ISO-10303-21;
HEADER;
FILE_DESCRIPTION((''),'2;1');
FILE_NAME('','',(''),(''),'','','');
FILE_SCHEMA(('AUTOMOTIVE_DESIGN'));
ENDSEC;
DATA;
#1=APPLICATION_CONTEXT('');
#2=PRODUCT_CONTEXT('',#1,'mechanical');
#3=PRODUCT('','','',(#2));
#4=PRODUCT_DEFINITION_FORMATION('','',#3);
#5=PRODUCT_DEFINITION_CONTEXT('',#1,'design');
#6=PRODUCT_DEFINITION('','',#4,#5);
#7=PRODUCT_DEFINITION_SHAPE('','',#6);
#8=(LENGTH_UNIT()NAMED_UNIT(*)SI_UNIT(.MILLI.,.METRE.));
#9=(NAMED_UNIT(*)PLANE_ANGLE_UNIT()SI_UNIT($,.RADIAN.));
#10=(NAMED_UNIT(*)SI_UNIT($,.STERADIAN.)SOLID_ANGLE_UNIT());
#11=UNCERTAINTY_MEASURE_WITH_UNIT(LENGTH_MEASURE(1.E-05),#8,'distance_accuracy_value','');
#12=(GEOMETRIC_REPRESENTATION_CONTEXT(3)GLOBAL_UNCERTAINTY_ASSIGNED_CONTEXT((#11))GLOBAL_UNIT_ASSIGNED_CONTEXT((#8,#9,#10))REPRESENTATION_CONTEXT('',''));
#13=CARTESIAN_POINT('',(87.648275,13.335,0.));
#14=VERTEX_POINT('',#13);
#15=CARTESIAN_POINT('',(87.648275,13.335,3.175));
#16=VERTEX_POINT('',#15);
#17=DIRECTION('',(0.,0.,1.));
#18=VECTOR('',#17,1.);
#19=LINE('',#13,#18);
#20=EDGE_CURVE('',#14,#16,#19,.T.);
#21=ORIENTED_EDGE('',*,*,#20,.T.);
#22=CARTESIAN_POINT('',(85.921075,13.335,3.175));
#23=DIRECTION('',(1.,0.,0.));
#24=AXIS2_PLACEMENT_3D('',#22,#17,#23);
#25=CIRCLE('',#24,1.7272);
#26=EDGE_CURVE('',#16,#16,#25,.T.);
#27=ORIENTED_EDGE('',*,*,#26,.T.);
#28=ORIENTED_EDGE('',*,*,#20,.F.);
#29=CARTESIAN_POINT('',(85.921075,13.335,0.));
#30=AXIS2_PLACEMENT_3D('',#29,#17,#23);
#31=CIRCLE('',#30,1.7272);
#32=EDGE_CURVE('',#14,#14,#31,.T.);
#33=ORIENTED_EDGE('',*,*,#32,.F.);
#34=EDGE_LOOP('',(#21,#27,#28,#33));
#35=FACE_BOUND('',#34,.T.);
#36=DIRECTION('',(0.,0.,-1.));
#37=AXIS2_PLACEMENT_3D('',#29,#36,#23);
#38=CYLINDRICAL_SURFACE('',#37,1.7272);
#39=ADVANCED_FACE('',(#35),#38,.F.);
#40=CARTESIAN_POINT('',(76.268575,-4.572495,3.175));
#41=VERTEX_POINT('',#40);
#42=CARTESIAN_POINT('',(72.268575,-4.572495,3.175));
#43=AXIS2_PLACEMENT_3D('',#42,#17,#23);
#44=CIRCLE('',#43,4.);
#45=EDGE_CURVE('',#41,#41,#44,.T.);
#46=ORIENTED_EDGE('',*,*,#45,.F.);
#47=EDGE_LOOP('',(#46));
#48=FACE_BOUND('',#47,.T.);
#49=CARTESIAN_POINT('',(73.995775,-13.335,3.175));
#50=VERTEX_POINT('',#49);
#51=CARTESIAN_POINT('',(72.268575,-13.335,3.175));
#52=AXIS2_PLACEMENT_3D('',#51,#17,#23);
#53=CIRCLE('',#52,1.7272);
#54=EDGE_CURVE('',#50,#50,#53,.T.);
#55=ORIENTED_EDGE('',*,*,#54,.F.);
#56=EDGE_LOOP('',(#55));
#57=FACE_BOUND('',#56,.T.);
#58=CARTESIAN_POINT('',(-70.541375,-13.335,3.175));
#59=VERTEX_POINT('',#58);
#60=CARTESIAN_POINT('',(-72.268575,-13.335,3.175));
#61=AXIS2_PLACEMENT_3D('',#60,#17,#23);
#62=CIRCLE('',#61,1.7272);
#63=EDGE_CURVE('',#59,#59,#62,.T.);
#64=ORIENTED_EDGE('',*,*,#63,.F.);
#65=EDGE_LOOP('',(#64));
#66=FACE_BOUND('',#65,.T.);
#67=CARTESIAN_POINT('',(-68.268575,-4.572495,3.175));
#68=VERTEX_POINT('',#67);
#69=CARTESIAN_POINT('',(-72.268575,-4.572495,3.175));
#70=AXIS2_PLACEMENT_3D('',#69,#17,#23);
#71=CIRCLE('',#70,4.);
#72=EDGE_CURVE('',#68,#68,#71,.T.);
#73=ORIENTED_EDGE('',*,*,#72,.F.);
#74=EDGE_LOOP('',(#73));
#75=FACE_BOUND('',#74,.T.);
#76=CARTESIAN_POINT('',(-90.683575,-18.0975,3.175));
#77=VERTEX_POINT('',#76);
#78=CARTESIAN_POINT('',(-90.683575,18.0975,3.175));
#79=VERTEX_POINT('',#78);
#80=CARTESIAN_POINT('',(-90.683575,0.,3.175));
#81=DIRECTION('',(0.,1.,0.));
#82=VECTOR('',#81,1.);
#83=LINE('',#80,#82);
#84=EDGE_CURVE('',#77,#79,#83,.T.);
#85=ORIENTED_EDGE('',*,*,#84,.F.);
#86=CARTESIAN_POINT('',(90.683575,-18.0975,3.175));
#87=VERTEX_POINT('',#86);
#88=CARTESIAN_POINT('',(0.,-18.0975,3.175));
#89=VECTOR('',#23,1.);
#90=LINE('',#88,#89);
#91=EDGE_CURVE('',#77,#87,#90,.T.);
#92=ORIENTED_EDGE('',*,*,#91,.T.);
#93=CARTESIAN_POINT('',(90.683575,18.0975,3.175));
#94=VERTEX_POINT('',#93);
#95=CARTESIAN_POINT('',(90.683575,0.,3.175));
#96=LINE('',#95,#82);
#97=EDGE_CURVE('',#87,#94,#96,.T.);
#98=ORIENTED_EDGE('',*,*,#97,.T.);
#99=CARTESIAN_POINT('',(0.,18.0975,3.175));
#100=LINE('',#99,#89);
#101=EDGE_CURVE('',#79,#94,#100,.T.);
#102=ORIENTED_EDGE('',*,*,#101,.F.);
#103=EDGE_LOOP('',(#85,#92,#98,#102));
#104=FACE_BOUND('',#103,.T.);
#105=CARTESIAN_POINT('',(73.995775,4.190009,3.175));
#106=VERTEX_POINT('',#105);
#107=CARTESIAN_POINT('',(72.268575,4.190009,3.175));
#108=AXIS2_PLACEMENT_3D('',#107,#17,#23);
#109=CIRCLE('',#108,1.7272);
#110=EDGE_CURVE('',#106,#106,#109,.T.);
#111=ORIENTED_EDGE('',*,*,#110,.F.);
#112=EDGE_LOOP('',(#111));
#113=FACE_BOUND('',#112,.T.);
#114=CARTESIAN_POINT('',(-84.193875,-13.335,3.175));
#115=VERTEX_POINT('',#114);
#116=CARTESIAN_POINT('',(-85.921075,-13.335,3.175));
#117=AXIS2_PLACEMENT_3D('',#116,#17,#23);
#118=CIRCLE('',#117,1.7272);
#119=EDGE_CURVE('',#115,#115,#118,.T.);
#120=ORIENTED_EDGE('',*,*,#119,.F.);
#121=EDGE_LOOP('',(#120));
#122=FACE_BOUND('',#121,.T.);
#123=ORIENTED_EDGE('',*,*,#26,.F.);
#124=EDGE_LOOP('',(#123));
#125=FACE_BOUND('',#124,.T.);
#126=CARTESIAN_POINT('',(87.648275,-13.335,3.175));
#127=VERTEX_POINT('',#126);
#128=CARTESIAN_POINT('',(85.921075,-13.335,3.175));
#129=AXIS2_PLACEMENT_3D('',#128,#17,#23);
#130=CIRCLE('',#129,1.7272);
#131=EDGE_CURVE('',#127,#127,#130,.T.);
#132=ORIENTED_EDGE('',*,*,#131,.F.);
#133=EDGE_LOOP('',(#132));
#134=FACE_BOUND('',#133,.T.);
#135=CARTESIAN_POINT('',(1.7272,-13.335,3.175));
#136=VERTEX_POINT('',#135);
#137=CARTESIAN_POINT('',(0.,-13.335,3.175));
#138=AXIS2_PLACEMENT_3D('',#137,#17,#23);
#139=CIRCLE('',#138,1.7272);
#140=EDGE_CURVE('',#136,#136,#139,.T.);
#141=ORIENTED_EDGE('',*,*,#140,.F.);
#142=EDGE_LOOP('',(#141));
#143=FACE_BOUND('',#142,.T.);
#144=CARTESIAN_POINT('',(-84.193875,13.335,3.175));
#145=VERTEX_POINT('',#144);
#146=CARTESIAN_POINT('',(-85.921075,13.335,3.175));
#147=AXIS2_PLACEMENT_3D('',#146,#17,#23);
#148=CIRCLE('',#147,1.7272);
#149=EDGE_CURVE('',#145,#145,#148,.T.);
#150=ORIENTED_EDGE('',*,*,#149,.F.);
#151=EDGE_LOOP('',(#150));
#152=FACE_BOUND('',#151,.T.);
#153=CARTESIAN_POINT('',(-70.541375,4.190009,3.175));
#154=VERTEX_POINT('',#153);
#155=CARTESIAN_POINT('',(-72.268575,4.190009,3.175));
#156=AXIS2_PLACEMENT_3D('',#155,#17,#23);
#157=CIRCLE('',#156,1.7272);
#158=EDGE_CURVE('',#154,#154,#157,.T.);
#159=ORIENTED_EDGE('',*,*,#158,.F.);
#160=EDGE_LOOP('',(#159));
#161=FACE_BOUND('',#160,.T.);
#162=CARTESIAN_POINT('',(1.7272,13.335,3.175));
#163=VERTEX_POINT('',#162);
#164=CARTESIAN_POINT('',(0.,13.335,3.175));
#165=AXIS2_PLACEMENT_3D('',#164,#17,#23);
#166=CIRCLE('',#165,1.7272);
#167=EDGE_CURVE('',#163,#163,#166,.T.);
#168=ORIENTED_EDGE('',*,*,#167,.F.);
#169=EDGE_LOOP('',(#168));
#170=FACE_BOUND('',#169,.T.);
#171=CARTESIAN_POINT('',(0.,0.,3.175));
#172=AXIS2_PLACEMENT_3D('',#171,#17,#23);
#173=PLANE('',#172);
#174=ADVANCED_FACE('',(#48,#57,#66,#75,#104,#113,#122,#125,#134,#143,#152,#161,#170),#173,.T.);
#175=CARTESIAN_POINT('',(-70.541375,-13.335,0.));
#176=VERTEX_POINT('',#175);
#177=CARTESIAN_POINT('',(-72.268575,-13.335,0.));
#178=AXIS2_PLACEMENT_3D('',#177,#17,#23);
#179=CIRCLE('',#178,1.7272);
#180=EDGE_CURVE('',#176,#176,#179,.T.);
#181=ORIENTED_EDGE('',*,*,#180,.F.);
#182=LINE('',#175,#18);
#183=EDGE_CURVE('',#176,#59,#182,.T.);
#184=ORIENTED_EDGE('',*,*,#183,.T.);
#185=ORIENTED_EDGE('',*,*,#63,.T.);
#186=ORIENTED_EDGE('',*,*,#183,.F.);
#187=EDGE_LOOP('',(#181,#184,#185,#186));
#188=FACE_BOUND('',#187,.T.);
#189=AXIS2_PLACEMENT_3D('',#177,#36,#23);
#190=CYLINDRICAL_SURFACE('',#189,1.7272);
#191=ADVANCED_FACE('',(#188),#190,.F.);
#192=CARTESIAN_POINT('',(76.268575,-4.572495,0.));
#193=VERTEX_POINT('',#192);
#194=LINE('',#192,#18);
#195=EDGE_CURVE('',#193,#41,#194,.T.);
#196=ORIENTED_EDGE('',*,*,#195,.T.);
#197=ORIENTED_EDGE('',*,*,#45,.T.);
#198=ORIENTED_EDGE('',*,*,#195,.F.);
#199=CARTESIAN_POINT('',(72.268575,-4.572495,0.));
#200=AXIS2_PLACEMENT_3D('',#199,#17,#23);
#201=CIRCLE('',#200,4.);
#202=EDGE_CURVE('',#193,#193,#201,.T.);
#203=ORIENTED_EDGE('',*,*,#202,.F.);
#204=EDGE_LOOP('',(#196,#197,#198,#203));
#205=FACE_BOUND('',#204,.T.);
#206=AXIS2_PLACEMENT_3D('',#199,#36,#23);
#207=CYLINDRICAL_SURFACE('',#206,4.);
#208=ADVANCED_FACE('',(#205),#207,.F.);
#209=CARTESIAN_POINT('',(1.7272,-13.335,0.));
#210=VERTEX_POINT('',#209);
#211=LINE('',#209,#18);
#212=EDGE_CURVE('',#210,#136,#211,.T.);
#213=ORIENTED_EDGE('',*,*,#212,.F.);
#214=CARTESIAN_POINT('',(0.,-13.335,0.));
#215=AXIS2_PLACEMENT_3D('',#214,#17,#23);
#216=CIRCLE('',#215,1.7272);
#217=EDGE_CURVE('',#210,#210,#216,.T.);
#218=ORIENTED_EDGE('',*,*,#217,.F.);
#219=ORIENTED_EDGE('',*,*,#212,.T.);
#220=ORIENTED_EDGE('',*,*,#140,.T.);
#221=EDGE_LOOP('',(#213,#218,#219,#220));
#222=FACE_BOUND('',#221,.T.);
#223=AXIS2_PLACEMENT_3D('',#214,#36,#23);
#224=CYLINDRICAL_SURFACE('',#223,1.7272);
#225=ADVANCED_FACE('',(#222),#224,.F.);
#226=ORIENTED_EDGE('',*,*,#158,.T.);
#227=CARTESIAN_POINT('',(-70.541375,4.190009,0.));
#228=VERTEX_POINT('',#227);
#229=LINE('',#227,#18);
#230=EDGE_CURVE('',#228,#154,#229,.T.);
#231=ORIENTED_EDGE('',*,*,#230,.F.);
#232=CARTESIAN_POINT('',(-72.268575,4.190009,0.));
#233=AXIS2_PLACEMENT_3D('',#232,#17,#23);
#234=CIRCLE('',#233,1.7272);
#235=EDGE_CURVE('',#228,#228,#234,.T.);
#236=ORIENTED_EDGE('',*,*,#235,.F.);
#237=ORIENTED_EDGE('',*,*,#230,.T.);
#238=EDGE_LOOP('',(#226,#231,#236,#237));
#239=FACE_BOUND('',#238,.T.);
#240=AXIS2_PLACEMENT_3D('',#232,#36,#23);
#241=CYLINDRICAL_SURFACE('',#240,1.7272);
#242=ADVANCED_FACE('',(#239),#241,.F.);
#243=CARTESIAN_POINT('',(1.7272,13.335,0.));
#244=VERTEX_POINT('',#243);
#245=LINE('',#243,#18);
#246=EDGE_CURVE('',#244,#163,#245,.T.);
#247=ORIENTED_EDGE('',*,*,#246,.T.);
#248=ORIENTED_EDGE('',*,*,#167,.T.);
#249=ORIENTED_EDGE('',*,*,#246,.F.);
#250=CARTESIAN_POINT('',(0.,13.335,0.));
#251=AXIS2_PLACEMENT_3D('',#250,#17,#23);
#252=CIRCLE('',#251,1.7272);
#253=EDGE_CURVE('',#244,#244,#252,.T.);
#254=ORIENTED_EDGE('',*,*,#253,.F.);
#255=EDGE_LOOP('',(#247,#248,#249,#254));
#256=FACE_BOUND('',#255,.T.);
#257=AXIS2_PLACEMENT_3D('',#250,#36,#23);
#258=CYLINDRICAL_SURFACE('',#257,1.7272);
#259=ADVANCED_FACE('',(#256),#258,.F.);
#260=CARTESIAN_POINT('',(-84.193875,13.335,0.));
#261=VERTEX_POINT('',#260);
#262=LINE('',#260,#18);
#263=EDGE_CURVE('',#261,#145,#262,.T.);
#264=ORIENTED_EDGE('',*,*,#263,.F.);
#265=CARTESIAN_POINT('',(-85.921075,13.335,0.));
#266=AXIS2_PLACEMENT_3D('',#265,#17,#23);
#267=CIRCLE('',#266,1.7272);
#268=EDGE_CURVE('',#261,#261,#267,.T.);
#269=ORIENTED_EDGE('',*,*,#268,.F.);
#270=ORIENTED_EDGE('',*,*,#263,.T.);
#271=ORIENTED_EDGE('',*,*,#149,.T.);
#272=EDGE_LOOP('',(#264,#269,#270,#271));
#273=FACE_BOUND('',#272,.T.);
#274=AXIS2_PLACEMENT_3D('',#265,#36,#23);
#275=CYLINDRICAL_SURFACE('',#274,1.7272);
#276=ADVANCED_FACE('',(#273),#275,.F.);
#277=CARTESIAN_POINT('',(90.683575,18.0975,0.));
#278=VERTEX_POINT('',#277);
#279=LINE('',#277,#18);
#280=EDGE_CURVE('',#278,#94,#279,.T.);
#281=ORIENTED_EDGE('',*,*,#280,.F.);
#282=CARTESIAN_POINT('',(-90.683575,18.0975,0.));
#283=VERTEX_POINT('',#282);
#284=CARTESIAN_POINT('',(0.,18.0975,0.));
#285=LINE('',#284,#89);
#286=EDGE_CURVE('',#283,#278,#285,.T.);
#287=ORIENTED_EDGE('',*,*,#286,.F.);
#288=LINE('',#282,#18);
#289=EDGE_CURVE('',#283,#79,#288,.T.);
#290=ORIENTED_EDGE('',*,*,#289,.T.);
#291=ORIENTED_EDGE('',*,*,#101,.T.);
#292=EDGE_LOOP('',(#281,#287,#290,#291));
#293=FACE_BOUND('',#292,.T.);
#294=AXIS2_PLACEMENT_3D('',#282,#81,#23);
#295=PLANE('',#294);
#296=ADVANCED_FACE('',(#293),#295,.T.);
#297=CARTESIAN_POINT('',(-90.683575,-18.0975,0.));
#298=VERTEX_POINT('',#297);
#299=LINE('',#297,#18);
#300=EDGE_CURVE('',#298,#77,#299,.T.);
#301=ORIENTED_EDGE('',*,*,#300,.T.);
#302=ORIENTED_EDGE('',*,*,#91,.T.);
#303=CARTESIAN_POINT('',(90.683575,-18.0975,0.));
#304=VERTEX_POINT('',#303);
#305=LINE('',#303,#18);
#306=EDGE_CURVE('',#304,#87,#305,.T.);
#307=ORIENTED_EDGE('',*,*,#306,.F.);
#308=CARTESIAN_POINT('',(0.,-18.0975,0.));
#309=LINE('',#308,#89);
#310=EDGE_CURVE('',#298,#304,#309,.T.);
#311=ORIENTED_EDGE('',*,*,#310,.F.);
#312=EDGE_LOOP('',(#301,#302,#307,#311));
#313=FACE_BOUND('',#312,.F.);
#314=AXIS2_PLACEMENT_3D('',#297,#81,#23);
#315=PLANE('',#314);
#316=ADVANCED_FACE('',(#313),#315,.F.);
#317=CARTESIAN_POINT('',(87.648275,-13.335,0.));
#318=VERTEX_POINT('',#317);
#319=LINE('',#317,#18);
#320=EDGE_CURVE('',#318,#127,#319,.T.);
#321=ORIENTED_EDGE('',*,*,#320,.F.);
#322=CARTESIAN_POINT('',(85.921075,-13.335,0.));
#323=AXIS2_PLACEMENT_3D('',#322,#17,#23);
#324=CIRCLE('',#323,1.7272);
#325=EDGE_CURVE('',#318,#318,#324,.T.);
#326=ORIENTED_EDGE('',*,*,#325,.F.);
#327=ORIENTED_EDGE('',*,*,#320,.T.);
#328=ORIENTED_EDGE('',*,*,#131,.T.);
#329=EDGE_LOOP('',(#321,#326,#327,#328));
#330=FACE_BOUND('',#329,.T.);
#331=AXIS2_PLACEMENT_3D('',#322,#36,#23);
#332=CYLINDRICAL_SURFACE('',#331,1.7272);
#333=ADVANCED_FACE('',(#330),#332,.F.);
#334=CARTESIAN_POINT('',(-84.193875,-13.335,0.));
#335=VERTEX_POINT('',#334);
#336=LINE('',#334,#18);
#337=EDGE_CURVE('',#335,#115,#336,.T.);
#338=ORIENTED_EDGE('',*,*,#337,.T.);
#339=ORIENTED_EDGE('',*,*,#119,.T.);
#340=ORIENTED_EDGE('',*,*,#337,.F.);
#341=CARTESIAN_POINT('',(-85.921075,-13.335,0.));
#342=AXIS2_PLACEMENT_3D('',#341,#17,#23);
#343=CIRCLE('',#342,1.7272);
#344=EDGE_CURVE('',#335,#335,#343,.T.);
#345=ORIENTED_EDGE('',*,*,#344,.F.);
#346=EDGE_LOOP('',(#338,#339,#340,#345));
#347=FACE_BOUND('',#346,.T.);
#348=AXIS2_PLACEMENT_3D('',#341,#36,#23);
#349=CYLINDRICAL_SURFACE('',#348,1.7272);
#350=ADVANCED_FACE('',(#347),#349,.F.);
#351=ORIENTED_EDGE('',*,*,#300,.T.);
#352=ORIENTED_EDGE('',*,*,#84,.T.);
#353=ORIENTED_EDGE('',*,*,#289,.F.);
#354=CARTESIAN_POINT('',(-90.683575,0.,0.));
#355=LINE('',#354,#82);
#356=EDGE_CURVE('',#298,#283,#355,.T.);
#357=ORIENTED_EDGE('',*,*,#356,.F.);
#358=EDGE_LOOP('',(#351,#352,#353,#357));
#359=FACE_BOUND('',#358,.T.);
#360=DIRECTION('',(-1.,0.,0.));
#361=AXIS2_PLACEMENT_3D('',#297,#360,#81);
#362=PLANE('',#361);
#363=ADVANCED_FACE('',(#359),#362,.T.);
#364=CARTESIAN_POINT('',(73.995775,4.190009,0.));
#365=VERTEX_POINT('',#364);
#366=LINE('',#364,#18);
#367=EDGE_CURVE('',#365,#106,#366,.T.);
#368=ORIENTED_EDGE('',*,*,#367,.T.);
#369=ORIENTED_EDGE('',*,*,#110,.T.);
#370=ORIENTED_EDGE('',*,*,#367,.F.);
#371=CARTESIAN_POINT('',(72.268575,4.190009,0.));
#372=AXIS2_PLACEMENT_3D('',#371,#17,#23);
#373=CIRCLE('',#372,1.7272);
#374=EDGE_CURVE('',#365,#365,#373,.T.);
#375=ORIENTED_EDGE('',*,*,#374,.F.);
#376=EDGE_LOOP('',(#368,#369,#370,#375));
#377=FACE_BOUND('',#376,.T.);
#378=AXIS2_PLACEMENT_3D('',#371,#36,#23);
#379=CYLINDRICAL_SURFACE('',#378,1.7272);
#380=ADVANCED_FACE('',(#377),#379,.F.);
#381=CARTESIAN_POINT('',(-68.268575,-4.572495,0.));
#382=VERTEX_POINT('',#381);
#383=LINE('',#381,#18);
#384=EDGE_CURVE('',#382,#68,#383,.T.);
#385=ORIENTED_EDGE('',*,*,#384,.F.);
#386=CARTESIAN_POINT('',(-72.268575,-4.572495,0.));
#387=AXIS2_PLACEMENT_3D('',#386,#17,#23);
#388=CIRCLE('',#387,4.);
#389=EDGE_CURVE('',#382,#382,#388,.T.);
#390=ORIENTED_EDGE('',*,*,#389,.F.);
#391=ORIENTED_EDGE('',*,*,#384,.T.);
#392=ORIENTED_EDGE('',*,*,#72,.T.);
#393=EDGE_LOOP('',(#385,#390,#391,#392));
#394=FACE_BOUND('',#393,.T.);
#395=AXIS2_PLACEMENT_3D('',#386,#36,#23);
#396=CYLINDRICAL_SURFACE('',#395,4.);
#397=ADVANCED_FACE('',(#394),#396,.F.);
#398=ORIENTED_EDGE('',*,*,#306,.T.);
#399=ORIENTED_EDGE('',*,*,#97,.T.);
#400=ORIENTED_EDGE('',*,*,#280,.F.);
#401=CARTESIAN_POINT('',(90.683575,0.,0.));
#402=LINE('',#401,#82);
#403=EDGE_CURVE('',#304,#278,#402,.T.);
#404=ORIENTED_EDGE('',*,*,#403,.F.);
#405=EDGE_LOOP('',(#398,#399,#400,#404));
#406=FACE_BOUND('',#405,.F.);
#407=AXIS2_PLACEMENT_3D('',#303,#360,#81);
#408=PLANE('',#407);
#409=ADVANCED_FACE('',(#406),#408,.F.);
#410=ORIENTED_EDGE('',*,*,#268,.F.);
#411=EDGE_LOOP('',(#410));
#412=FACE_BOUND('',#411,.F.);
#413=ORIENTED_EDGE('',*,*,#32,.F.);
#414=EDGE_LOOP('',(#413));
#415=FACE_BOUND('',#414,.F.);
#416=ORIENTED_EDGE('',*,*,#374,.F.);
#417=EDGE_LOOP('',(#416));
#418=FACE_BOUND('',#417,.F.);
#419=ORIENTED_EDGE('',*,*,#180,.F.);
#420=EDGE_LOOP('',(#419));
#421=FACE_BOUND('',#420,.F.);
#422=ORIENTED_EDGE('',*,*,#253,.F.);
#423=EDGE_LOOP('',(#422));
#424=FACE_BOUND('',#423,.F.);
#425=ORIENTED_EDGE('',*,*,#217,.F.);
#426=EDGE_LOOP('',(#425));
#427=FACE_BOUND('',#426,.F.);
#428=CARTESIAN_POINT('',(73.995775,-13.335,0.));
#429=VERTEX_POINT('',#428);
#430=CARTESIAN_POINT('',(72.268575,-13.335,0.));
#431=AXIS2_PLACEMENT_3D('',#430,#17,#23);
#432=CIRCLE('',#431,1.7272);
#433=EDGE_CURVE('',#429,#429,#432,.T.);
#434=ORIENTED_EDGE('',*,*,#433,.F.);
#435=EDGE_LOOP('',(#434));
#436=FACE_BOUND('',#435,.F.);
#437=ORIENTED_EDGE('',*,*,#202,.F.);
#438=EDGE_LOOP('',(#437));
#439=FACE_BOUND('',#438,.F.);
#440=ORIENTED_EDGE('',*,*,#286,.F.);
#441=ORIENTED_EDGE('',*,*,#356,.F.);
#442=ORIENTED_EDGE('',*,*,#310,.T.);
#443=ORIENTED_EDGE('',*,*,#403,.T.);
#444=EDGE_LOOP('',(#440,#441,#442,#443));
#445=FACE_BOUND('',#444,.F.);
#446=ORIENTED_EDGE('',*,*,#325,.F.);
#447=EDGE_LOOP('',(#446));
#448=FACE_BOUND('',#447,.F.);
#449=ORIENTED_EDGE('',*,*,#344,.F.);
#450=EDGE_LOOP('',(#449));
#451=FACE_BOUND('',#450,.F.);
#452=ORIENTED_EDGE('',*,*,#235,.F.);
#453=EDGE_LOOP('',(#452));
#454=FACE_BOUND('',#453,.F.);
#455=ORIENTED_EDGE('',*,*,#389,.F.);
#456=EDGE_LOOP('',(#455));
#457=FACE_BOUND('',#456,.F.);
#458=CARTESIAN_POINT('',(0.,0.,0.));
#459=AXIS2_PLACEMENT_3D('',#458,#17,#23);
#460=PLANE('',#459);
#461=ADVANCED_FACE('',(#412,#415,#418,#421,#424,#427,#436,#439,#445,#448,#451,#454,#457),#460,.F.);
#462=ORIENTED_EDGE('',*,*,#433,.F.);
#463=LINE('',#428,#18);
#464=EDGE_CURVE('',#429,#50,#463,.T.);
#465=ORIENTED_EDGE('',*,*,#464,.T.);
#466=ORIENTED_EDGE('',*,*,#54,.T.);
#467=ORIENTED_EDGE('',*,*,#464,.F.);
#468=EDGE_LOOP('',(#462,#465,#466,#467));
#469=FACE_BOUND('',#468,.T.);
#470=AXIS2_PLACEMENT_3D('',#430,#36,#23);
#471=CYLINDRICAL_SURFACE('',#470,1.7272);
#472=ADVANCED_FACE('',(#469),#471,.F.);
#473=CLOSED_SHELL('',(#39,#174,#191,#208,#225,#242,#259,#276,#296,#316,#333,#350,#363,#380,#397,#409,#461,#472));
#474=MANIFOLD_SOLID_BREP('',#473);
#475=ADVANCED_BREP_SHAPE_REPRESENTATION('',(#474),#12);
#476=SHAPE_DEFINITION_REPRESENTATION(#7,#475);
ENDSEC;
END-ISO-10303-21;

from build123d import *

# Parameters (mm, degrees)
F0_W     = 181.36715
F0_H     = 36.195
F0_R     = 1.7272
F0_R_2   = 4
F1_DEPTH = 3.175


with BuildPart() as f1:
    # F0 (on Top) → F1 (new body)
    with BuildSketch(Plane.XY):
        Rectangle(F0_W, F0_H)
        with Locations((-85.921075, -13.335)):
            Circle(F0_R, mode=Mode.SUBTRACT)
        with Locations((-72.268575, -13.335)):
            Circle(F0_R, mode=Mode.SUBTRACT)
        with Locations((-72.268575, -4.572495)):
            Circle(F0_R_2, mode=Mode.SUBTRACT)
        with Locations((0, -13.335)):
            Circle(F0_R, mode=Mode.SUBTRACT)
        with Locations((72.268575, -13.335)):
            Circle(F0_R, mode=Mode.SUBTRACT)
        with Locations((85.921075, -13.335)):
            Circle(F0_R, mode=Mode.SUBTRACT)
        with Locations((72.268575, -4.572495)):
            Circle(F0_R_2, mode=Mode.SUBTRACT)
        with Locations((-72.268575, 4.190009)):
            Circle(F0_R, mode=Mode.SUBTRACT)
        with Locations((-85.921075, 13.335)):
            Circle(F0_R, mode=Mode.SUBTRACT)
        with Locations((72.268575, 4.190009)):
            Circle(F0_R, mode=Mode.SUBTRACT)
        with Locations((0, 13.335)):
            Circle(F0_R, mode=Mode.SUBTRACT)
        with Locations((85.921075, 13.335)):
            Circle(F0_R, mode=Mode.SUBTRACT)
    extrude(amount=F1_DEPTH)


solid = f1.part
